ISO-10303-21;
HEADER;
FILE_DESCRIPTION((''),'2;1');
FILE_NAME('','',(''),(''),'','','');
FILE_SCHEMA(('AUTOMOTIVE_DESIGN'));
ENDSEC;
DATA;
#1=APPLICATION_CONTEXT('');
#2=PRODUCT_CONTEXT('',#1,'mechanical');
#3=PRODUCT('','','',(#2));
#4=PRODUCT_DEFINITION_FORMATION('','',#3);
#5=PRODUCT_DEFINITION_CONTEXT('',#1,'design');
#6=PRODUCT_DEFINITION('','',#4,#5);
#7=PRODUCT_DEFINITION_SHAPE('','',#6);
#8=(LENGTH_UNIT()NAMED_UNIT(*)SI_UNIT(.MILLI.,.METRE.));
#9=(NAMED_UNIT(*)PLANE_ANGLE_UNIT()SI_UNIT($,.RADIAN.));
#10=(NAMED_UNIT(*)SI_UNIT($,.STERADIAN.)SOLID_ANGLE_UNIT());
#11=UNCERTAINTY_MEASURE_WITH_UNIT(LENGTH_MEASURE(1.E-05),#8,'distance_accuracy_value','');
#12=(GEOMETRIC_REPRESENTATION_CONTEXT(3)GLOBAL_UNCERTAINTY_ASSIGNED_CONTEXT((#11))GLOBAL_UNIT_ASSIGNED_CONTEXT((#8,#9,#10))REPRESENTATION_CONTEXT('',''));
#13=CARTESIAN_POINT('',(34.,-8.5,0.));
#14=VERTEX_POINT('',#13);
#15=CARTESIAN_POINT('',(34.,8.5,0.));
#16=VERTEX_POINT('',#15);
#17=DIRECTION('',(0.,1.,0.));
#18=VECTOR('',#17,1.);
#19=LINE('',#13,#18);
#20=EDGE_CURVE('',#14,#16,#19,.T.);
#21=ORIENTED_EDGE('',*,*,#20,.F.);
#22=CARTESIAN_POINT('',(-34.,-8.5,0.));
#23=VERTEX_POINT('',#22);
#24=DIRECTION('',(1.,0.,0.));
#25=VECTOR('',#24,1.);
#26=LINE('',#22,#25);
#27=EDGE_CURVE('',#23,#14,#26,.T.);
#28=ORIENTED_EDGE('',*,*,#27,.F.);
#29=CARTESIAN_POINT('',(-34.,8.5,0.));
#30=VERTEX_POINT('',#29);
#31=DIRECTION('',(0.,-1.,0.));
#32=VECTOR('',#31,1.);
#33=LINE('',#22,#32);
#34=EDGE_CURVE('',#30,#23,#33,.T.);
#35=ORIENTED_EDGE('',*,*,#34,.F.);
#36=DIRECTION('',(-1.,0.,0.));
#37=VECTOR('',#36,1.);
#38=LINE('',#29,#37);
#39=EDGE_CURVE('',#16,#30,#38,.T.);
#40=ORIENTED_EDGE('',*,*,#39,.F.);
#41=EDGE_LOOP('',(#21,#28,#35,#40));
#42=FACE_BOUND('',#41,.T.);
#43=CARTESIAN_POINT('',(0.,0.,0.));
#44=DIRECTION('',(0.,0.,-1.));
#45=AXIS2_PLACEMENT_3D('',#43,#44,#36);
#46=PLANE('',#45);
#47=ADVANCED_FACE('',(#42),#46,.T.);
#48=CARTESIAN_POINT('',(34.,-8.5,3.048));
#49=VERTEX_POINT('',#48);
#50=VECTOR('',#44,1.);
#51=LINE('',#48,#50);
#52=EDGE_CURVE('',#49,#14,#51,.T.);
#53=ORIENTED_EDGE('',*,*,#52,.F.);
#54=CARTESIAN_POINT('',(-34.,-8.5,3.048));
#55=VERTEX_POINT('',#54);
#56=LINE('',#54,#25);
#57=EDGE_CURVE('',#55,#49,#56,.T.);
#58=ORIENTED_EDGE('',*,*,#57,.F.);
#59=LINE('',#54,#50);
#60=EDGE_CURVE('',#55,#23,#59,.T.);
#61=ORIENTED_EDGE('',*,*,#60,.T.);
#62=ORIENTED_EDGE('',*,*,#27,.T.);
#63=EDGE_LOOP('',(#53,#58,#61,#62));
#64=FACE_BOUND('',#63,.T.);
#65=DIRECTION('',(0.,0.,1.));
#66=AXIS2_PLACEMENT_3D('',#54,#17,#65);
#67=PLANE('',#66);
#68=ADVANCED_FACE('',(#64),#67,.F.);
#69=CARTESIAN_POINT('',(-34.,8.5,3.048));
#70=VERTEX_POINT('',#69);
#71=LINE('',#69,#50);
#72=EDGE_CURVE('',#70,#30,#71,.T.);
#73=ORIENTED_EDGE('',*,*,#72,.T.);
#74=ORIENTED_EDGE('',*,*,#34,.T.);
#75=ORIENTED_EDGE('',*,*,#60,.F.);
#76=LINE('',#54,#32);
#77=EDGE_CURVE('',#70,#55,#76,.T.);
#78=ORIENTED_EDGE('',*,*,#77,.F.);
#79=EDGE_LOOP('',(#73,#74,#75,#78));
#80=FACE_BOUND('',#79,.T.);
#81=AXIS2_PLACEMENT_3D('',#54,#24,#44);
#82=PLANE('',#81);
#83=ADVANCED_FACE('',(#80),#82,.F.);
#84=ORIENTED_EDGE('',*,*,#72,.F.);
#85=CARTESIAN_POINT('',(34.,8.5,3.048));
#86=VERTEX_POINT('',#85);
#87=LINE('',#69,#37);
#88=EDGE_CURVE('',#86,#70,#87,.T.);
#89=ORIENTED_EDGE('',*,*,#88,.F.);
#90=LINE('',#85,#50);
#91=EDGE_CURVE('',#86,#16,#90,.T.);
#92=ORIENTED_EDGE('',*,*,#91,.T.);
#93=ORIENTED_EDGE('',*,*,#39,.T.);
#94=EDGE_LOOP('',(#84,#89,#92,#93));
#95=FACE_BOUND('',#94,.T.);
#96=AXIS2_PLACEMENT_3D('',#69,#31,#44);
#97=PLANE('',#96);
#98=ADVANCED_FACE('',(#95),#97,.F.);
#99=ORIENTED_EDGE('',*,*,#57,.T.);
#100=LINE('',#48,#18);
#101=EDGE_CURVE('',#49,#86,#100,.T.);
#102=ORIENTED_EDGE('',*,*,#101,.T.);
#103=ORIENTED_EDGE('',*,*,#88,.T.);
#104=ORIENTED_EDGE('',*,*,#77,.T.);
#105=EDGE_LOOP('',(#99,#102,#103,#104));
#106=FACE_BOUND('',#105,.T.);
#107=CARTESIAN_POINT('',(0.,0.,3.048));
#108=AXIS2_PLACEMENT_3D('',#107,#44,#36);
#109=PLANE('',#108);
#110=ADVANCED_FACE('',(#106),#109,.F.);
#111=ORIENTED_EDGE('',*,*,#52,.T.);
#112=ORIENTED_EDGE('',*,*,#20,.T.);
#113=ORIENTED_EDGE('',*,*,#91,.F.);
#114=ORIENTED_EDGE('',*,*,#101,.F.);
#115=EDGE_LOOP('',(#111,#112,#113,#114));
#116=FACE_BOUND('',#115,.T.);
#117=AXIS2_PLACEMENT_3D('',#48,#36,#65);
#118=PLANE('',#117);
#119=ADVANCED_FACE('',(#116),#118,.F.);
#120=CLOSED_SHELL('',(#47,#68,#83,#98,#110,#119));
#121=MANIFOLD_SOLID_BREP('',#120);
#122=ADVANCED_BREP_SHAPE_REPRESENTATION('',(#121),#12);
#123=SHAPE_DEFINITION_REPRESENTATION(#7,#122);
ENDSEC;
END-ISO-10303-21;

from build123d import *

# Parameters (mm, degrees)
SKETCH3_W           = 68
SKETCH3_H           = 17
BOSS_EXTRUDE1_DEPTH = 3.048


with BuildPart() as part:
    # Sketch3 → Boss-Extrude1 (new body)
    with BuildSketch(Plane.XY):
        Rectangle(SKETCH3_W, SKETCH3_H)
    extrude(amount=BOSS_EXTRUDE1_DEPTH)


solid = part.part
